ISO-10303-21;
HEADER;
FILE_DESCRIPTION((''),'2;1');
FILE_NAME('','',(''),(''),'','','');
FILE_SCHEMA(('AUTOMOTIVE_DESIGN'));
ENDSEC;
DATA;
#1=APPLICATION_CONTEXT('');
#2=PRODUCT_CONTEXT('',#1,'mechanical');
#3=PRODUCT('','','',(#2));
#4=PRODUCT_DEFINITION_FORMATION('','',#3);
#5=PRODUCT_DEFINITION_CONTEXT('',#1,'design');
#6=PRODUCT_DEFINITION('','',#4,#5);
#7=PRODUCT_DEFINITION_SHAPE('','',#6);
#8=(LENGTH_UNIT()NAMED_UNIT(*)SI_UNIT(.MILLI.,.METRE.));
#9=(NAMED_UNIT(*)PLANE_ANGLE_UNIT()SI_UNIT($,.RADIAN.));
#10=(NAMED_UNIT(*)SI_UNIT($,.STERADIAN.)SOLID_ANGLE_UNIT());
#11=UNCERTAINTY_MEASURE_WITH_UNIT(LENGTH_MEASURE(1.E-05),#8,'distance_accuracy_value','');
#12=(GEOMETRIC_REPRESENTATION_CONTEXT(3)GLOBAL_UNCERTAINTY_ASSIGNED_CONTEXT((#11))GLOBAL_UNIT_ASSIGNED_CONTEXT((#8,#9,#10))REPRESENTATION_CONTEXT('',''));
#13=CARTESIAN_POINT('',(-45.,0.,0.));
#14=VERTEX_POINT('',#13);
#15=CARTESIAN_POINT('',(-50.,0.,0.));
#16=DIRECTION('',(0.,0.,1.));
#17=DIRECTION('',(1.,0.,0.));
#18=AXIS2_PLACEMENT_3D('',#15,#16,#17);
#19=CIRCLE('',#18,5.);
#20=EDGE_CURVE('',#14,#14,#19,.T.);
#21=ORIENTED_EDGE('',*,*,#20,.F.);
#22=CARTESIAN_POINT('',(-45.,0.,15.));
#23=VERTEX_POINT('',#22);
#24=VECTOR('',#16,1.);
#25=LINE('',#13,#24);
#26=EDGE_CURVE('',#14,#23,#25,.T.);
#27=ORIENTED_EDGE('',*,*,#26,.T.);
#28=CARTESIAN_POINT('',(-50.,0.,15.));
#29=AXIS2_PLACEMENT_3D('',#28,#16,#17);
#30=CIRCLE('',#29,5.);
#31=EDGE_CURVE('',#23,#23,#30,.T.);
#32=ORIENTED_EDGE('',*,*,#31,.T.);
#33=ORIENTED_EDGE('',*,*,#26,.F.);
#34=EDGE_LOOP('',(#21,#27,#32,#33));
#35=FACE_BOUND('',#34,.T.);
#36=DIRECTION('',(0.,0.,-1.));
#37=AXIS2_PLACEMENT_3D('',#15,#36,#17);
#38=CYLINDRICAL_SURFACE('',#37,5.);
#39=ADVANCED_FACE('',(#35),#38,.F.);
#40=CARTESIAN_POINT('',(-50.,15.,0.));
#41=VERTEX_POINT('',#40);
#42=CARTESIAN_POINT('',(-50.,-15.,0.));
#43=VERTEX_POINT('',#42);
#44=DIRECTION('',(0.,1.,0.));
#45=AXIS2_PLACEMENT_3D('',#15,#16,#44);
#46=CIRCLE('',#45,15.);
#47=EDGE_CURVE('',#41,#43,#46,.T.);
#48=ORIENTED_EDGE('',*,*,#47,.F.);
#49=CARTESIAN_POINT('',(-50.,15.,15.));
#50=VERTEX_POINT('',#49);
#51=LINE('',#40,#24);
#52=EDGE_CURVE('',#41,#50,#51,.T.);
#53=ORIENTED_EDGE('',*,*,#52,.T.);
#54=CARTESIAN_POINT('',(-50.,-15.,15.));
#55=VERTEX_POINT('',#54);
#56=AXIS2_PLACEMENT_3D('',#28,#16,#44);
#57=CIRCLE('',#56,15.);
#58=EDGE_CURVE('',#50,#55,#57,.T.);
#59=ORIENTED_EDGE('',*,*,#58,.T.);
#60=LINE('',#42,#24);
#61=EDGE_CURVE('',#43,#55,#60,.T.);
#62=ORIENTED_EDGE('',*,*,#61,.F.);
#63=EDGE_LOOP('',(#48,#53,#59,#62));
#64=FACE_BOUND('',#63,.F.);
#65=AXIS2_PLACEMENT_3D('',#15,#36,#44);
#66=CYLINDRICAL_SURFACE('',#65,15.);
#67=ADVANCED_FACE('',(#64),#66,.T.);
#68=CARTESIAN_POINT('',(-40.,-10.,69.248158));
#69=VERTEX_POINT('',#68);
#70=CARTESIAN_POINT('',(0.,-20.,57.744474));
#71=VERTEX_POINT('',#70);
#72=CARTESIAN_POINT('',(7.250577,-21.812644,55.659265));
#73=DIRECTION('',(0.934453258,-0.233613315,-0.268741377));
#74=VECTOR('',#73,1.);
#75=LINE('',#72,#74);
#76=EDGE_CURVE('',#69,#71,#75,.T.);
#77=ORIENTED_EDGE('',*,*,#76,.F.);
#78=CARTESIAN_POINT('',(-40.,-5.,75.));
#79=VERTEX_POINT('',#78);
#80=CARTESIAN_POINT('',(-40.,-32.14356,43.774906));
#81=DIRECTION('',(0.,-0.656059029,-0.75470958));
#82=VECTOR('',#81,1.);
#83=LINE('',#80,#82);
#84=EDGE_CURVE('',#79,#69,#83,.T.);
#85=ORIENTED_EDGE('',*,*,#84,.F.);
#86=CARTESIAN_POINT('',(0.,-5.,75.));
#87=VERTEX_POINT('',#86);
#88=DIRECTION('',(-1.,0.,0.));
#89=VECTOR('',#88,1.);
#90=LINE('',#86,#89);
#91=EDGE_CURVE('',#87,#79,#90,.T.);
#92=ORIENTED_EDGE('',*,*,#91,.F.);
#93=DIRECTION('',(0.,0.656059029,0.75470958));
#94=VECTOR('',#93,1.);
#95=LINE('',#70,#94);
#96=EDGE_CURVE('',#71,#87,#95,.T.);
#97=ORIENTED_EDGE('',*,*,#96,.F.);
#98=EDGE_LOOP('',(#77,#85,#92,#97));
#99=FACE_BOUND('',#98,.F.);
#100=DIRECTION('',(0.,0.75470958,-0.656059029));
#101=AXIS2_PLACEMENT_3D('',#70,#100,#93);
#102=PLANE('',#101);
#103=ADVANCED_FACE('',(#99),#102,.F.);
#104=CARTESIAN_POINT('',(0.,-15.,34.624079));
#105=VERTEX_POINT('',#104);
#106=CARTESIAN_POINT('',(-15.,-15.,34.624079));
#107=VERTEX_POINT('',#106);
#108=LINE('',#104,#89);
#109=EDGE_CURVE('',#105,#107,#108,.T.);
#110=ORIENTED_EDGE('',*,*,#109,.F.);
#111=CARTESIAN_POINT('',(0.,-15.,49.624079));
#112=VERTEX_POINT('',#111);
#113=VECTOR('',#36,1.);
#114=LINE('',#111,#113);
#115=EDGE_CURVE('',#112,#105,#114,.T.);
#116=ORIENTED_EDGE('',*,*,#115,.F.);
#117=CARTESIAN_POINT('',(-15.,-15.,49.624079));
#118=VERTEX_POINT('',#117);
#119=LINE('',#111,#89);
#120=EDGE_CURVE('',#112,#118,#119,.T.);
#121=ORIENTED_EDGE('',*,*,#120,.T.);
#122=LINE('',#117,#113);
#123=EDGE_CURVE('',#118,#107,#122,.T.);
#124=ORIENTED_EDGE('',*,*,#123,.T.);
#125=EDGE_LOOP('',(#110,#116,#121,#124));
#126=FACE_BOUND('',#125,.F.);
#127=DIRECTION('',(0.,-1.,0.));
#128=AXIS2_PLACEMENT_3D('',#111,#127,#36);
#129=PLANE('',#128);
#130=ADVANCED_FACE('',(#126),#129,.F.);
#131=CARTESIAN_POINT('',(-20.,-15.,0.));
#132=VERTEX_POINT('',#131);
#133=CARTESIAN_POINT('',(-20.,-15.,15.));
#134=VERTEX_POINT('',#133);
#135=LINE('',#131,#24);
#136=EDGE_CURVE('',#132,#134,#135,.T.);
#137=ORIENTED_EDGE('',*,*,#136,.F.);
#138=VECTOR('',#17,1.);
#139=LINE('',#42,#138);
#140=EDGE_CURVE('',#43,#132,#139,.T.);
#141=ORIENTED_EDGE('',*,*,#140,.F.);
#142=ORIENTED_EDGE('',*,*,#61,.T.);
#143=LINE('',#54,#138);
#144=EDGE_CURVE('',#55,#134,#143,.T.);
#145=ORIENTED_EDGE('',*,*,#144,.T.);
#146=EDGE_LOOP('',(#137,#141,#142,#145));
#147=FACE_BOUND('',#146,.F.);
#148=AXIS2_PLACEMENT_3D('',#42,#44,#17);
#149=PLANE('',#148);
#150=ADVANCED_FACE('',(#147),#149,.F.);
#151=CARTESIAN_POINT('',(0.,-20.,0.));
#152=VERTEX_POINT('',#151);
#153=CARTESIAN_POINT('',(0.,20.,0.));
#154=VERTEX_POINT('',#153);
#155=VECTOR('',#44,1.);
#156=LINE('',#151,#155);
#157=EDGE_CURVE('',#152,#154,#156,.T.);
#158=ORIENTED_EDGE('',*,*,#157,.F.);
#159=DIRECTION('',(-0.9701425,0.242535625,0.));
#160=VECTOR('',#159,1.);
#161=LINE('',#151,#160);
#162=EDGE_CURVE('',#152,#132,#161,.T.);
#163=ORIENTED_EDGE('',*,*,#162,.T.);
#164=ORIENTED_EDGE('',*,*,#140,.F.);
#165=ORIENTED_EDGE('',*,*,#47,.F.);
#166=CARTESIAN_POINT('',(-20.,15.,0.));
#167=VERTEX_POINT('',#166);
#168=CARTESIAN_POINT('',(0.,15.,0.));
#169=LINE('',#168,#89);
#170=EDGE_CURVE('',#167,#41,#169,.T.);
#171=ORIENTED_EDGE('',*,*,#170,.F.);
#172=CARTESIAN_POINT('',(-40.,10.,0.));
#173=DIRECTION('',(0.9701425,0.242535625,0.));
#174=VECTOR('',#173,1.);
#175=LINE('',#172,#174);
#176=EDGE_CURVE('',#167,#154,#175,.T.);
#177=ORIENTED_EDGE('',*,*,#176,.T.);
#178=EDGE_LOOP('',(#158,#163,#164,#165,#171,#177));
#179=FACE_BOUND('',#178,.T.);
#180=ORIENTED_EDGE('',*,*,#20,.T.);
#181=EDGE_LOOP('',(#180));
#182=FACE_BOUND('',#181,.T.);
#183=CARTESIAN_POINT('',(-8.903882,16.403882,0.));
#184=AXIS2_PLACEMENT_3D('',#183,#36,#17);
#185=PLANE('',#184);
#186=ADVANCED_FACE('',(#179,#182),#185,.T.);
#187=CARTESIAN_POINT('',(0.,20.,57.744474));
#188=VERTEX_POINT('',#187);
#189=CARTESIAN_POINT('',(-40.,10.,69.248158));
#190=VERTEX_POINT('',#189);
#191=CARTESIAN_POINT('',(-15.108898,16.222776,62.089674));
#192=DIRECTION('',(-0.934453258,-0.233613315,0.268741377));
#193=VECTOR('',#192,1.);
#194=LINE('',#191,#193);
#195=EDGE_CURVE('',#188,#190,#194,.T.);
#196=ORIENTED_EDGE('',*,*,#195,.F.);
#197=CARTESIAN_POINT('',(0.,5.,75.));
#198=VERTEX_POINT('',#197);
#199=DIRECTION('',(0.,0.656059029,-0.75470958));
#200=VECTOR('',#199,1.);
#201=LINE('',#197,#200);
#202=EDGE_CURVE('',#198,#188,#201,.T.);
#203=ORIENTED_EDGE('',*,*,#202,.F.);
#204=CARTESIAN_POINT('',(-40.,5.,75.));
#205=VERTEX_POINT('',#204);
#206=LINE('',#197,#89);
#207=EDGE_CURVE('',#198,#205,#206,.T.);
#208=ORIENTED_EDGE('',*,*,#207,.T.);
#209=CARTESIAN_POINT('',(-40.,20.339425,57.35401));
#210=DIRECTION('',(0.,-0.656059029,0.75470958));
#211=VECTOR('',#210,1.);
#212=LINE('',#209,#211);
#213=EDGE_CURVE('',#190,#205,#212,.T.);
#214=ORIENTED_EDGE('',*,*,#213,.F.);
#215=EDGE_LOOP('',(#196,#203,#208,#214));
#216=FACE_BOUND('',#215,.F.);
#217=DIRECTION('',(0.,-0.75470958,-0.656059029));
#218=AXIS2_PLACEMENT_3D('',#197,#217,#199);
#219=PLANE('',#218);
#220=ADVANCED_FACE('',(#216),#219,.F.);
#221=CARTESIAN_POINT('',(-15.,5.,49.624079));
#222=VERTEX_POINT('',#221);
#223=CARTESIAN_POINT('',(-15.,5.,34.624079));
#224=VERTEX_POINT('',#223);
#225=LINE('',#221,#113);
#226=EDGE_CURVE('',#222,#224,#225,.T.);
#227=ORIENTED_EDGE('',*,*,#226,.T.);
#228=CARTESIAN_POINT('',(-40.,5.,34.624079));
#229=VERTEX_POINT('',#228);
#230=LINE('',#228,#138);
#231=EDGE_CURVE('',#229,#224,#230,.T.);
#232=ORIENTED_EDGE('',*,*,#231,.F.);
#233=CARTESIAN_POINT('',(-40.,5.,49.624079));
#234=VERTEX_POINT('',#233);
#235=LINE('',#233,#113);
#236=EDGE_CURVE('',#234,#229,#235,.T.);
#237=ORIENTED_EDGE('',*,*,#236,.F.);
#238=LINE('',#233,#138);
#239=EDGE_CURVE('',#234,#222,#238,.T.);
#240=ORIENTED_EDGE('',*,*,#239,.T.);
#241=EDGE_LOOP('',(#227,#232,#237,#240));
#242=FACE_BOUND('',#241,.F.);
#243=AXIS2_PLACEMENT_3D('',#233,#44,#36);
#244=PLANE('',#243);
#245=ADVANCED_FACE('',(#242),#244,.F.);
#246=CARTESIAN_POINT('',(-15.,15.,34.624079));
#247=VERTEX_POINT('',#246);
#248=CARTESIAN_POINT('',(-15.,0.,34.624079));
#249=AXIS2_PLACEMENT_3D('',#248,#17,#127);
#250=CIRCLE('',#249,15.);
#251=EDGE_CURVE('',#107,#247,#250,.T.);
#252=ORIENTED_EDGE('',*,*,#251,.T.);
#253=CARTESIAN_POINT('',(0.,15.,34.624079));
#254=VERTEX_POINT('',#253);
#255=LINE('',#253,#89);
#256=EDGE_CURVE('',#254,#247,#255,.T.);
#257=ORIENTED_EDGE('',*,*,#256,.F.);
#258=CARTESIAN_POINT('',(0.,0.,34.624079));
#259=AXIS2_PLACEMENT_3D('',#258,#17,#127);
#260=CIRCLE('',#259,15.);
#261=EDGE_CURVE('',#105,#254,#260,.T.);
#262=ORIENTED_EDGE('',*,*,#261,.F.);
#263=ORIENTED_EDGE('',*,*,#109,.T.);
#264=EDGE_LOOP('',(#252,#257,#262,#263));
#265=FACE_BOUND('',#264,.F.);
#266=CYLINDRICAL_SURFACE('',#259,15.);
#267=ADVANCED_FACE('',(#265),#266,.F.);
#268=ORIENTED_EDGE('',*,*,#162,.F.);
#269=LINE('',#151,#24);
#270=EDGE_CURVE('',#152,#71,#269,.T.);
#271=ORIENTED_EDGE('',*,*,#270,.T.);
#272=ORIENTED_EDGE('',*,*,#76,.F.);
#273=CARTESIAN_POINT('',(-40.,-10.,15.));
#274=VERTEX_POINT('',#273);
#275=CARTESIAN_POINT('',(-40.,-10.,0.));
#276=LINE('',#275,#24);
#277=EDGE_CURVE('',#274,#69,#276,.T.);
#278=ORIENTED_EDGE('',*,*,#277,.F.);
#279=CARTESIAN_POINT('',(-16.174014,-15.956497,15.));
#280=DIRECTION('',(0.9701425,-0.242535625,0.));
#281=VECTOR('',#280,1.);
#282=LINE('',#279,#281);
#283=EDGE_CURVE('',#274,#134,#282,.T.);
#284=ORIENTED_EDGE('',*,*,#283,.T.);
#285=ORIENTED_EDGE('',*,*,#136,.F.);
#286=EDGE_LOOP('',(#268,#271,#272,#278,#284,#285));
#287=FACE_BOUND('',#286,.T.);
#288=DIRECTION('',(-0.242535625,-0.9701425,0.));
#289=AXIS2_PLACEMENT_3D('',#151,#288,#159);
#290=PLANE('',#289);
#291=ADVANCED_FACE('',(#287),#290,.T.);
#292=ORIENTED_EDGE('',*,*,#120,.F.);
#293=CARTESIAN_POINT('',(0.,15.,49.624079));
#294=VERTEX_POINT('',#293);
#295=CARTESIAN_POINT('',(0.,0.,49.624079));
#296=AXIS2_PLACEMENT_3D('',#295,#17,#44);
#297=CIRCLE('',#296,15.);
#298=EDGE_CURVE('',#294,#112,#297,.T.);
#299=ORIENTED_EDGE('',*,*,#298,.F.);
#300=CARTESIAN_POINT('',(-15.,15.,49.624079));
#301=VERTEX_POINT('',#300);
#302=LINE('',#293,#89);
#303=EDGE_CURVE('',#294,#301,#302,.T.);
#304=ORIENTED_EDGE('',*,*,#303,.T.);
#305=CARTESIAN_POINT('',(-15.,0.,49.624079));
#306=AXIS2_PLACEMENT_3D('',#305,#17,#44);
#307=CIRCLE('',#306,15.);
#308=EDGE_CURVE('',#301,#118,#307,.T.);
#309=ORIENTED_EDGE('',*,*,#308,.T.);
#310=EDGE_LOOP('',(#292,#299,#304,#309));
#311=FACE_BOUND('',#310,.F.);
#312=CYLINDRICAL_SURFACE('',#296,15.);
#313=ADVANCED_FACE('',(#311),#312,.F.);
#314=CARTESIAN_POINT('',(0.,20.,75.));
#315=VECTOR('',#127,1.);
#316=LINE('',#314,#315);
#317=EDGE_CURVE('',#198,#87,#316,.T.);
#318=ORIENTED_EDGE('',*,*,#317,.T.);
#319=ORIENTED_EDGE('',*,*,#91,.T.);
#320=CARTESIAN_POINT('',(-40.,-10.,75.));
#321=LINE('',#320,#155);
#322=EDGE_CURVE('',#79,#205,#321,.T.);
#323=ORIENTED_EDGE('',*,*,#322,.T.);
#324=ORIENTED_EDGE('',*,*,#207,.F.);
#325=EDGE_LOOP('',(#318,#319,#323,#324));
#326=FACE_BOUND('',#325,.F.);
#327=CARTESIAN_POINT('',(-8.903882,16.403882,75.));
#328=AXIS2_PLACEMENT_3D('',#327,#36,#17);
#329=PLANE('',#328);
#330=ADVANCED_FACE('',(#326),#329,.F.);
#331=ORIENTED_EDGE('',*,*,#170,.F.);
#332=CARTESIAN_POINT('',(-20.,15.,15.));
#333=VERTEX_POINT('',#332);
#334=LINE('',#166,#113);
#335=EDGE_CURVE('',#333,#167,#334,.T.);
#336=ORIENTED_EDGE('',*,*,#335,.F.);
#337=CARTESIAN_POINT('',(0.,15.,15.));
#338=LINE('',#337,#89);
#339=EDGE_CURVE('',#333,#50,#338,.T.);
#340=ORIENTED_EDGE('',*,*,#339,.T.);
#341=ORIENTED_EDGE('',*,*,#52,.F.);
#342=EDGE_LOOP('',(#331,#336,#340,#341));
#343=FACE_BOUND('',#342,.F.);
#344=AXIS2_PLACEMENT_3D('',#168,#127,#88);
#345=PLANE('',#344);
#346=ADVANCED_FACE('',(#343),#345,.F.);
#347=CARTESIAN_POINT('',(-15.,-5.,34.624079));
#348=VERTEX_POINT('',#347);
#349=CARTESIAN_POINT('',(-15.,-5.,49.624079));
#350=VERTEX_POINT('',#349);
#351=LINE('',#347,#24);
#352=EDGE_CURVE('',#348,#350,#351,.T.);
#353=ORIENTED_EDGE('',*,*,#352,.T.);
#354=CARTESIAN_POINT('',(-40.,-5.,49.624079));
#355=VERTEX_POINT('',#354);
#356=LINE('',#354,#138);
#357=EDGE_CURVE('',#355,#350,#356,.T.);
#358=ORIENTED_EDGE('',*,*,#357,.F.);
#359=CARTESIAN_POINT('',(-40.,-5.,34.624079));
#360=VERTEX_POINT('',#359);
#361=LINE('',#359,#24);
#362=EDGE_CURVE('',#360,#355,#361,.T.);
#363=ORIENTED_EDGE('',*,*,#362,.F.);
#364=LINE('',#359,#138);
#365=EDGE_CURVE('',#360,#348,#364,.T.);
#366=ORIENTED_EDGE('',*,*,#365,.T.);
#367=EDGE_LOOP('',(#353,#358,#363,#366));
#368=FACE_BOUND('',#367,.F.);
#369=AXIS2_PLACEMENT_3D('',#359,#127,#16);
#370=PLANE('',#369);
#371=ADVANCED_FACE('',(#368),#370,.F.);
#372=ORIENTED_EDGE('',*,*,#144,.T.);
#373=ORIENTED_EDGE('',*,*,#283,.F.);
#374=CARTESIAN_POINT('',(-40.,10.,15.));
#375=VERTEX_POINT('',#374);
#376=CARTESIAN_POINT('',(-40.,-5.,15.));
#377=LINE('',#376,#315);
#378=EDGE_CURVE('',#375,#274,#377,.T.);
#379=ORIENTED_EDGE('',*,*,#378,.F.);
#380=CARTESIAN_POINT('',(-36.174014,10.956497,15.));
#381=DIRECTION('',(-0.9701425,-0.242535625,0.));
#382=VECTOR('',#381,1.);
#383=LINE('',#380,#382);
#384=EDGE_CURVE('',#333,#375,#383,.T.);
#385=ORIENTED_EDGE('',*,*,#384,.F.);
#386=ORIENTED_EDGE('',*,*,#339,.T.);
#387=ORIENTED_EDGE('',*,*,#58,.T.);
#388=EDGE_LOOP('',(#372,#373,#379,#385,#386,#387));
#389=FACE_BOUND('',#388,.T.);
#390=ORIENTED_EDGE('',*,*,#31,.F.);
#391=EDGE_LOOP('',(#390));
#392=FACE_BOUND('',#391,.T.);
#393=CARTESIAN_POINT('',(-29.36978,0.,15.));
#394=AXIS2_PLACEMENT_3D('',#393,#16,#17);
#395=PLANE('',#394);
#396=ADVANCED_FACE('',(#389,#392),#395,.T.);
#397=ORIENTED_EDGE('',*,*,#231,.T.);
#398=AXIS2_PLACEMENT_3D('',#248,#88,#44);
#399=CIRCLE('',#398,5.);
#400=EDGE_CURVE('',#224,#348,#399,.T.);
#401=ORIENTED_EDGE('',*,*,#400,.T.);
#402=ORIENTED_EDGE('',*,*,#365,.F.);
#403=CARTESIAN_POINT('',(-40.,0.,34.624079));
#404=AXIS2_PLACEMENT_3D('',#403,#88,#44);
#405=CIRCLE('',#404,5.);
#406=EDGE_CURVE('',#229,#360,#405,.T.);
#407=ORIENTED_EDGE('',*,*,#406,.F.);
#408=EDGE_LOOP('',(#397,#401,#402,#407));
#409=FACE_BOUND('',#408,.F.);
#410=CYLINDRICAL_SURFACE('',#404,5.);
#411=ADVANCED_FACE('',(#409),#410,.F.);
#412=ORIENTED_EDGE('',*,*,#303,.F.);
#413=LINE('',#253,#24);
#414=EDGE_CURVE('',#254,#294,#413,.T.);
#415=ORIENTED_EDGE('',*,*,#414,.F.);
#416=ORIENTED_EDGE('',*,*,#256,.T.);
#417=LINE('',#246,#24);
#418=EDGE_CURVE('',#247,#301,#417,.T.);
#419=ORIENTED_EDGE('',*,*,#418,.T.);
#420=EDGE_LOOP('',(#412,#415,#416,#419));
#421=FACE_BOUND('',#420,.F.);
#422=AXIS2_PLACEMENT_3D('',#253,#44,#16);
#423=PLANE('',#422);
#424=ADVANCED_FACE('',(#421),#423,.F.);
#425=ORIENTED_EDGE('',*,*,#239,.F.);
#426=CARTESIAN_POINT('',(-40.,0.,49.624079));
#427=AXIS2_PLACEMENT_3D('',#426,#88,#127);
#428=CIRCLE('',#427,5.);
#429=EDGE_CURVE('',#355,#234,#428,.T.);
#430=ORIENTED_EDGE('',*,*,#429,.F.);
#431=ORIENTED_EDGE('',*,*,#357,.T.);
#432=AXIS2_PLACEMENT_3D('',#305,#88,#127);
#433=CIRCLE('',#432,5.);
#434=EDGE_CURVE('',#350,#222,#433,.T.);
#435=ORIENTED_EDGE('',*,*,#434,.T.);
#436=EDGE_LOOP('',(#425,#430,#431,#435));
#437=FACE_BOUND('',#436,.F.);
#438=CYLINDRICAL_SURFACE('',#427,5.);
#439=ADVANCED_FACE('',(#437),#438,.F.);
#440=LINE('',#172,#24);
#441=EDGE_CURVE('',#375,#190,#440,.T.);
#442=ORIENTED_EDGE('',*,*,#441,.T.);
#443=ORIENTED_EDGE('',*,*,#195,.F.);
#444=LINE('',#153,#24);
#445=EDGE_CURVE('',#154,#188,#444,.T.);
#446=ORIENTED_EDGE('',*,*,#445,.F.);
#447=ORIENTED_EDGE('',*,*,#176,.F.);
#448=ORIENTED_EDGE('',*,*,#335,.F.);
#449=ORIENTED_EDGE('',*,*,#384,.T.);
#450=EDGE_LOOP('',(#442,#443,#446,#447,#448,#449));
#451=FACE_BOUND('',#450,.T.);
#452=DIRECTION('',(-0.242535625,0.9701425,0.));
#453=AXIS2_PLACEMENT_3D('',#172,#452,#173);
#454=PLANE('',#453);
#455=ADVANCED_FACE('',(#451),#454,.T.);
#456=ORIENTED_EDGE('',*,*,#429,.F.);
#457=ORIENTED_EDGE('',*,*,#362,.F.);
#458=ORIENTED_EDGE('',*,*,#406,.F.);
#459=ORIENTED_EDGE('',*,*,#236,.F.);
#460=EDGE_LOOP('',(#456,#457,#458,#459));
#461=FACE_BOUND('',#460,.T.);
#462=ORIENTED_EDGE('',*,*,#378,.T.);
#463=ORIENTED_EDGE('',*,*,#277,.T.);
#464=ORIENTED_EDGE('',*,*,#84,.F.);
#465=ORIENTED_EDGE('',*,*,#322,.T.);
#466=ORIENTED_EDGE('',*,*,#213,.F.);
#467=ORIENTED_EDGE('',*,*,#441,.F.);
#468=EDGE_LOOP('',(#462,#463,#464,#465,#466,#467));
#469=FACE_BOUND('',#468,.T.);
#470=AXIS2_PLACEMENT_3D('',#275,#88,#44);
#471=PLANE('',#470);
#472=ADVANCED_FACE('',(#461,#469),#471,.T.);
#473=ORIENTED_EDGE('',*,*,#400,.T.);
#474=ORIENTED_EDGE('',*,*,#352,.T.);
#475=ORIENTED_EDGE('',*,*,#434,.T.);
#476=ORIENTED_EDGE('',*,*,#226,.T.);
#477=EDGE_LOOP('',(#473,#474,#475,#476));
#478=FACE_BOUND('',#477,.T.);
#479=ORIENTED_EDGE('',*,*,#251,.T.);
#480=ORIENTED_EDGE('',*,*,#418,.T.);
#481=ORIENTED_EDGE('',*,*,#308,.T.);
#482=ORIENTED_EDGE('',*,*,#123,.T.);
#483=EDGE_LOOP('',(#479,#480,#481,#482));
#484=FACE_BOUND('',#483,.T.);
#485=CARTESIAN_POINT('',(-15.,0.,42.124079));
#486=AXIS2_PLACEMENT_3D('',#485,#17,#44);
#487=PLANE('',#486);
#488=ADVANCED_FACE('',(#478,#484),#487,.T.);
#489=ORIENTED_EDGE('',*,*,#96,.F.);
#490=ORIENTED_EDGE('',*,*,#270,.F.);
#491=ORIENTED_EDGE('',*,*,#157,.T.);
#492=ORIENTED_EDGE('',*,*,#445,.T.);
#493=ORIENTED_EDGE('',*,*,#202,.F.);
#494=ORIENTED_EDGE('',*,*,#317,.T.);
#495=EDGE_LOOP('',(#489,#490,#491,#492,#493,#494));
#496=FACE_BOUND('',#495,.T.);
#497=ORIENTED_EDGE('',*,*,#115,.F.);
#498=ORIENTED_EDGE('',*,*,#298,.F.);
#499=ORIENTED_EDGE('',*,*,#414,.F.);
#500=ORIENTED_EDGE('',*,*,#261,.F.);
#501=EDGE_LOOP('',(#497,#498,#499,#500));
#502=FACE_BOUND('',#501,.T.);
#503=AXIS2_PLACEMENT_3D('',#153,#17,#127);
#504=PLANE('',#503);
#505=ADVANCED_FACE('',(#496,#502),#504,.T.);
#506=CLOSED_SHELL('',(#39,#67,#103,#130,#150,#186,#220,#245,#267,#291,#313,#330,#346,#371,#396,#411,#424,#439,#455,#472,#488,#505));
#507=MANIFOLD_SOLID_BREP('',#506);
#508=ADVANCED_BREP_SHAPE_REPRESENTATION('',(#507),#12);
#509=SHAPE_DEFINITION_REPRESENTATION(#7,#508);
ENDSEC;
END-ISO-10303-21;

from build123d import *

# Parameters (mm, degrees)
F0_R     = 5
F1_DEPTH = 15
F3_DEPTH = 75
F5_DEPTH = 80
F7_DEPTH = 50
F9_DEPTH = 15


with BuildPart() as f1:
    # F0 (on Top) → F1 (new body)
    with BuildSketch(Plane.XY):
        with BuildLine():
            Line((0, 15), (-50, 15))
            ThreePointArc((-50, 15), (-65, 0), (-50, -15))
            Line((-50, -15), (0, -15))
            Line((0, -15), (0, 0))
            Line((0, 0), (0, 15))
        make_face()
        with Locations((-50, 0)):
            Circle(F0_R, mode=Mode.SUBTRACT)
    extrude(amount=F1_DEPTH)

    # F2 (on face) → F3 (join)
    with BuildSketch(Plane(origin=(0, 0, 0), x_dir=(1, 0, 0), z_dir=(0, 0, -1))):
        Polygon((0, -20), (0, -15), (-20, -15), align=None)
        Polygon((0, -15), (0, 0), (0, 15), (-20, 15), (-40, 10), (-40, 0), (-40, -10), (-20, -15), align=None)
        Polygon((-20, 15), (0, 15), (0, 20), align=None)
    extrude(amount=-F3_DEPTH)

    # F4 (on face) → F5 (cut)
    with BuildSketch(Plane.YZ):
        Polygon((34.8571650684, 75), (20, 75), (20, 57.7444738917), (25.7445386642, 51.1361380983), align=None)
        Polygon((20, 75), (5, 75), (20, 57.7444738917), align=None)
        Polygon((-20, 57.7444738917), (-5, 75), (-20, 75), align=None)
        Polygon((-25.7445386642, 51.1361380983), (-20, 57.7444738917), (-20, 75), (-34.8571650684, 75), align=None)
    extrude(amount=-F5_DEPTH, mode=Mode.SUBTRACT)

    # F6 (on face) → F7 (cut)
    with BuildSketch(Plane(origin=(-40, 0, 0), x_dir=(0, -1, 0), z_dir=(-1, 0, 0))):
        with BuildLine():
            Line((5, 42.1240789819), (5, 49.6240789819))
            ThreePointArc((5, 49.6240789819), (0, 54.6240789819), (-5, 49.6240789819))
            Line((-5, 49.6240789819), (-5, 42.1240789819))
            Line((-5, 42.1240789819), (-5, 34.6240789819))
            ThreePointArc((-5, 34.6240789819), (0, 29.6240789819), (5, 34.6240789819))
            Line((5, 34.6240789819), (5, 42.1240789819))
        make_face()
    extrude(amount=-F7_DEPTH, mode=Mode.SUBTRACT)

    # F8 (on face) → F9 (cut)
    with BuildSketch(Plane.YZ):
        with BuildLine():
            Line((15, 34.6240789819), (15, 49.6240789819))
            ThreePointArc((15, 49.6240789819), (0, 64.6240789819), (-15, 49.6240789819))
            Line((-15, 49.6240789819), (-15, 34.6240789819))
            ThreePointArc((-15, 34.6240789819), (0, 19.6240789819), (15, 34.6240789819))
        make_face()
        with BuildLine():
            ThreePointArc((5, 34.6240789819), (0, 29.6240789819), (-5, 34.6240789819))
            Line((-5, 34.6240789819), (-5, 49.6240789819))
            ThreePointArc((-5, 49.6240789819), (0, 54.6240789819), (5, 49.6240789819))
            Line((5, 49.6240789819), (5, 34.6240789819))
        make_face(mode=Mode.SUBTRACT)
    extrude(amount=-F9_DEPTH, mode=Mode.SUBTRACT)


solid = f1.part
